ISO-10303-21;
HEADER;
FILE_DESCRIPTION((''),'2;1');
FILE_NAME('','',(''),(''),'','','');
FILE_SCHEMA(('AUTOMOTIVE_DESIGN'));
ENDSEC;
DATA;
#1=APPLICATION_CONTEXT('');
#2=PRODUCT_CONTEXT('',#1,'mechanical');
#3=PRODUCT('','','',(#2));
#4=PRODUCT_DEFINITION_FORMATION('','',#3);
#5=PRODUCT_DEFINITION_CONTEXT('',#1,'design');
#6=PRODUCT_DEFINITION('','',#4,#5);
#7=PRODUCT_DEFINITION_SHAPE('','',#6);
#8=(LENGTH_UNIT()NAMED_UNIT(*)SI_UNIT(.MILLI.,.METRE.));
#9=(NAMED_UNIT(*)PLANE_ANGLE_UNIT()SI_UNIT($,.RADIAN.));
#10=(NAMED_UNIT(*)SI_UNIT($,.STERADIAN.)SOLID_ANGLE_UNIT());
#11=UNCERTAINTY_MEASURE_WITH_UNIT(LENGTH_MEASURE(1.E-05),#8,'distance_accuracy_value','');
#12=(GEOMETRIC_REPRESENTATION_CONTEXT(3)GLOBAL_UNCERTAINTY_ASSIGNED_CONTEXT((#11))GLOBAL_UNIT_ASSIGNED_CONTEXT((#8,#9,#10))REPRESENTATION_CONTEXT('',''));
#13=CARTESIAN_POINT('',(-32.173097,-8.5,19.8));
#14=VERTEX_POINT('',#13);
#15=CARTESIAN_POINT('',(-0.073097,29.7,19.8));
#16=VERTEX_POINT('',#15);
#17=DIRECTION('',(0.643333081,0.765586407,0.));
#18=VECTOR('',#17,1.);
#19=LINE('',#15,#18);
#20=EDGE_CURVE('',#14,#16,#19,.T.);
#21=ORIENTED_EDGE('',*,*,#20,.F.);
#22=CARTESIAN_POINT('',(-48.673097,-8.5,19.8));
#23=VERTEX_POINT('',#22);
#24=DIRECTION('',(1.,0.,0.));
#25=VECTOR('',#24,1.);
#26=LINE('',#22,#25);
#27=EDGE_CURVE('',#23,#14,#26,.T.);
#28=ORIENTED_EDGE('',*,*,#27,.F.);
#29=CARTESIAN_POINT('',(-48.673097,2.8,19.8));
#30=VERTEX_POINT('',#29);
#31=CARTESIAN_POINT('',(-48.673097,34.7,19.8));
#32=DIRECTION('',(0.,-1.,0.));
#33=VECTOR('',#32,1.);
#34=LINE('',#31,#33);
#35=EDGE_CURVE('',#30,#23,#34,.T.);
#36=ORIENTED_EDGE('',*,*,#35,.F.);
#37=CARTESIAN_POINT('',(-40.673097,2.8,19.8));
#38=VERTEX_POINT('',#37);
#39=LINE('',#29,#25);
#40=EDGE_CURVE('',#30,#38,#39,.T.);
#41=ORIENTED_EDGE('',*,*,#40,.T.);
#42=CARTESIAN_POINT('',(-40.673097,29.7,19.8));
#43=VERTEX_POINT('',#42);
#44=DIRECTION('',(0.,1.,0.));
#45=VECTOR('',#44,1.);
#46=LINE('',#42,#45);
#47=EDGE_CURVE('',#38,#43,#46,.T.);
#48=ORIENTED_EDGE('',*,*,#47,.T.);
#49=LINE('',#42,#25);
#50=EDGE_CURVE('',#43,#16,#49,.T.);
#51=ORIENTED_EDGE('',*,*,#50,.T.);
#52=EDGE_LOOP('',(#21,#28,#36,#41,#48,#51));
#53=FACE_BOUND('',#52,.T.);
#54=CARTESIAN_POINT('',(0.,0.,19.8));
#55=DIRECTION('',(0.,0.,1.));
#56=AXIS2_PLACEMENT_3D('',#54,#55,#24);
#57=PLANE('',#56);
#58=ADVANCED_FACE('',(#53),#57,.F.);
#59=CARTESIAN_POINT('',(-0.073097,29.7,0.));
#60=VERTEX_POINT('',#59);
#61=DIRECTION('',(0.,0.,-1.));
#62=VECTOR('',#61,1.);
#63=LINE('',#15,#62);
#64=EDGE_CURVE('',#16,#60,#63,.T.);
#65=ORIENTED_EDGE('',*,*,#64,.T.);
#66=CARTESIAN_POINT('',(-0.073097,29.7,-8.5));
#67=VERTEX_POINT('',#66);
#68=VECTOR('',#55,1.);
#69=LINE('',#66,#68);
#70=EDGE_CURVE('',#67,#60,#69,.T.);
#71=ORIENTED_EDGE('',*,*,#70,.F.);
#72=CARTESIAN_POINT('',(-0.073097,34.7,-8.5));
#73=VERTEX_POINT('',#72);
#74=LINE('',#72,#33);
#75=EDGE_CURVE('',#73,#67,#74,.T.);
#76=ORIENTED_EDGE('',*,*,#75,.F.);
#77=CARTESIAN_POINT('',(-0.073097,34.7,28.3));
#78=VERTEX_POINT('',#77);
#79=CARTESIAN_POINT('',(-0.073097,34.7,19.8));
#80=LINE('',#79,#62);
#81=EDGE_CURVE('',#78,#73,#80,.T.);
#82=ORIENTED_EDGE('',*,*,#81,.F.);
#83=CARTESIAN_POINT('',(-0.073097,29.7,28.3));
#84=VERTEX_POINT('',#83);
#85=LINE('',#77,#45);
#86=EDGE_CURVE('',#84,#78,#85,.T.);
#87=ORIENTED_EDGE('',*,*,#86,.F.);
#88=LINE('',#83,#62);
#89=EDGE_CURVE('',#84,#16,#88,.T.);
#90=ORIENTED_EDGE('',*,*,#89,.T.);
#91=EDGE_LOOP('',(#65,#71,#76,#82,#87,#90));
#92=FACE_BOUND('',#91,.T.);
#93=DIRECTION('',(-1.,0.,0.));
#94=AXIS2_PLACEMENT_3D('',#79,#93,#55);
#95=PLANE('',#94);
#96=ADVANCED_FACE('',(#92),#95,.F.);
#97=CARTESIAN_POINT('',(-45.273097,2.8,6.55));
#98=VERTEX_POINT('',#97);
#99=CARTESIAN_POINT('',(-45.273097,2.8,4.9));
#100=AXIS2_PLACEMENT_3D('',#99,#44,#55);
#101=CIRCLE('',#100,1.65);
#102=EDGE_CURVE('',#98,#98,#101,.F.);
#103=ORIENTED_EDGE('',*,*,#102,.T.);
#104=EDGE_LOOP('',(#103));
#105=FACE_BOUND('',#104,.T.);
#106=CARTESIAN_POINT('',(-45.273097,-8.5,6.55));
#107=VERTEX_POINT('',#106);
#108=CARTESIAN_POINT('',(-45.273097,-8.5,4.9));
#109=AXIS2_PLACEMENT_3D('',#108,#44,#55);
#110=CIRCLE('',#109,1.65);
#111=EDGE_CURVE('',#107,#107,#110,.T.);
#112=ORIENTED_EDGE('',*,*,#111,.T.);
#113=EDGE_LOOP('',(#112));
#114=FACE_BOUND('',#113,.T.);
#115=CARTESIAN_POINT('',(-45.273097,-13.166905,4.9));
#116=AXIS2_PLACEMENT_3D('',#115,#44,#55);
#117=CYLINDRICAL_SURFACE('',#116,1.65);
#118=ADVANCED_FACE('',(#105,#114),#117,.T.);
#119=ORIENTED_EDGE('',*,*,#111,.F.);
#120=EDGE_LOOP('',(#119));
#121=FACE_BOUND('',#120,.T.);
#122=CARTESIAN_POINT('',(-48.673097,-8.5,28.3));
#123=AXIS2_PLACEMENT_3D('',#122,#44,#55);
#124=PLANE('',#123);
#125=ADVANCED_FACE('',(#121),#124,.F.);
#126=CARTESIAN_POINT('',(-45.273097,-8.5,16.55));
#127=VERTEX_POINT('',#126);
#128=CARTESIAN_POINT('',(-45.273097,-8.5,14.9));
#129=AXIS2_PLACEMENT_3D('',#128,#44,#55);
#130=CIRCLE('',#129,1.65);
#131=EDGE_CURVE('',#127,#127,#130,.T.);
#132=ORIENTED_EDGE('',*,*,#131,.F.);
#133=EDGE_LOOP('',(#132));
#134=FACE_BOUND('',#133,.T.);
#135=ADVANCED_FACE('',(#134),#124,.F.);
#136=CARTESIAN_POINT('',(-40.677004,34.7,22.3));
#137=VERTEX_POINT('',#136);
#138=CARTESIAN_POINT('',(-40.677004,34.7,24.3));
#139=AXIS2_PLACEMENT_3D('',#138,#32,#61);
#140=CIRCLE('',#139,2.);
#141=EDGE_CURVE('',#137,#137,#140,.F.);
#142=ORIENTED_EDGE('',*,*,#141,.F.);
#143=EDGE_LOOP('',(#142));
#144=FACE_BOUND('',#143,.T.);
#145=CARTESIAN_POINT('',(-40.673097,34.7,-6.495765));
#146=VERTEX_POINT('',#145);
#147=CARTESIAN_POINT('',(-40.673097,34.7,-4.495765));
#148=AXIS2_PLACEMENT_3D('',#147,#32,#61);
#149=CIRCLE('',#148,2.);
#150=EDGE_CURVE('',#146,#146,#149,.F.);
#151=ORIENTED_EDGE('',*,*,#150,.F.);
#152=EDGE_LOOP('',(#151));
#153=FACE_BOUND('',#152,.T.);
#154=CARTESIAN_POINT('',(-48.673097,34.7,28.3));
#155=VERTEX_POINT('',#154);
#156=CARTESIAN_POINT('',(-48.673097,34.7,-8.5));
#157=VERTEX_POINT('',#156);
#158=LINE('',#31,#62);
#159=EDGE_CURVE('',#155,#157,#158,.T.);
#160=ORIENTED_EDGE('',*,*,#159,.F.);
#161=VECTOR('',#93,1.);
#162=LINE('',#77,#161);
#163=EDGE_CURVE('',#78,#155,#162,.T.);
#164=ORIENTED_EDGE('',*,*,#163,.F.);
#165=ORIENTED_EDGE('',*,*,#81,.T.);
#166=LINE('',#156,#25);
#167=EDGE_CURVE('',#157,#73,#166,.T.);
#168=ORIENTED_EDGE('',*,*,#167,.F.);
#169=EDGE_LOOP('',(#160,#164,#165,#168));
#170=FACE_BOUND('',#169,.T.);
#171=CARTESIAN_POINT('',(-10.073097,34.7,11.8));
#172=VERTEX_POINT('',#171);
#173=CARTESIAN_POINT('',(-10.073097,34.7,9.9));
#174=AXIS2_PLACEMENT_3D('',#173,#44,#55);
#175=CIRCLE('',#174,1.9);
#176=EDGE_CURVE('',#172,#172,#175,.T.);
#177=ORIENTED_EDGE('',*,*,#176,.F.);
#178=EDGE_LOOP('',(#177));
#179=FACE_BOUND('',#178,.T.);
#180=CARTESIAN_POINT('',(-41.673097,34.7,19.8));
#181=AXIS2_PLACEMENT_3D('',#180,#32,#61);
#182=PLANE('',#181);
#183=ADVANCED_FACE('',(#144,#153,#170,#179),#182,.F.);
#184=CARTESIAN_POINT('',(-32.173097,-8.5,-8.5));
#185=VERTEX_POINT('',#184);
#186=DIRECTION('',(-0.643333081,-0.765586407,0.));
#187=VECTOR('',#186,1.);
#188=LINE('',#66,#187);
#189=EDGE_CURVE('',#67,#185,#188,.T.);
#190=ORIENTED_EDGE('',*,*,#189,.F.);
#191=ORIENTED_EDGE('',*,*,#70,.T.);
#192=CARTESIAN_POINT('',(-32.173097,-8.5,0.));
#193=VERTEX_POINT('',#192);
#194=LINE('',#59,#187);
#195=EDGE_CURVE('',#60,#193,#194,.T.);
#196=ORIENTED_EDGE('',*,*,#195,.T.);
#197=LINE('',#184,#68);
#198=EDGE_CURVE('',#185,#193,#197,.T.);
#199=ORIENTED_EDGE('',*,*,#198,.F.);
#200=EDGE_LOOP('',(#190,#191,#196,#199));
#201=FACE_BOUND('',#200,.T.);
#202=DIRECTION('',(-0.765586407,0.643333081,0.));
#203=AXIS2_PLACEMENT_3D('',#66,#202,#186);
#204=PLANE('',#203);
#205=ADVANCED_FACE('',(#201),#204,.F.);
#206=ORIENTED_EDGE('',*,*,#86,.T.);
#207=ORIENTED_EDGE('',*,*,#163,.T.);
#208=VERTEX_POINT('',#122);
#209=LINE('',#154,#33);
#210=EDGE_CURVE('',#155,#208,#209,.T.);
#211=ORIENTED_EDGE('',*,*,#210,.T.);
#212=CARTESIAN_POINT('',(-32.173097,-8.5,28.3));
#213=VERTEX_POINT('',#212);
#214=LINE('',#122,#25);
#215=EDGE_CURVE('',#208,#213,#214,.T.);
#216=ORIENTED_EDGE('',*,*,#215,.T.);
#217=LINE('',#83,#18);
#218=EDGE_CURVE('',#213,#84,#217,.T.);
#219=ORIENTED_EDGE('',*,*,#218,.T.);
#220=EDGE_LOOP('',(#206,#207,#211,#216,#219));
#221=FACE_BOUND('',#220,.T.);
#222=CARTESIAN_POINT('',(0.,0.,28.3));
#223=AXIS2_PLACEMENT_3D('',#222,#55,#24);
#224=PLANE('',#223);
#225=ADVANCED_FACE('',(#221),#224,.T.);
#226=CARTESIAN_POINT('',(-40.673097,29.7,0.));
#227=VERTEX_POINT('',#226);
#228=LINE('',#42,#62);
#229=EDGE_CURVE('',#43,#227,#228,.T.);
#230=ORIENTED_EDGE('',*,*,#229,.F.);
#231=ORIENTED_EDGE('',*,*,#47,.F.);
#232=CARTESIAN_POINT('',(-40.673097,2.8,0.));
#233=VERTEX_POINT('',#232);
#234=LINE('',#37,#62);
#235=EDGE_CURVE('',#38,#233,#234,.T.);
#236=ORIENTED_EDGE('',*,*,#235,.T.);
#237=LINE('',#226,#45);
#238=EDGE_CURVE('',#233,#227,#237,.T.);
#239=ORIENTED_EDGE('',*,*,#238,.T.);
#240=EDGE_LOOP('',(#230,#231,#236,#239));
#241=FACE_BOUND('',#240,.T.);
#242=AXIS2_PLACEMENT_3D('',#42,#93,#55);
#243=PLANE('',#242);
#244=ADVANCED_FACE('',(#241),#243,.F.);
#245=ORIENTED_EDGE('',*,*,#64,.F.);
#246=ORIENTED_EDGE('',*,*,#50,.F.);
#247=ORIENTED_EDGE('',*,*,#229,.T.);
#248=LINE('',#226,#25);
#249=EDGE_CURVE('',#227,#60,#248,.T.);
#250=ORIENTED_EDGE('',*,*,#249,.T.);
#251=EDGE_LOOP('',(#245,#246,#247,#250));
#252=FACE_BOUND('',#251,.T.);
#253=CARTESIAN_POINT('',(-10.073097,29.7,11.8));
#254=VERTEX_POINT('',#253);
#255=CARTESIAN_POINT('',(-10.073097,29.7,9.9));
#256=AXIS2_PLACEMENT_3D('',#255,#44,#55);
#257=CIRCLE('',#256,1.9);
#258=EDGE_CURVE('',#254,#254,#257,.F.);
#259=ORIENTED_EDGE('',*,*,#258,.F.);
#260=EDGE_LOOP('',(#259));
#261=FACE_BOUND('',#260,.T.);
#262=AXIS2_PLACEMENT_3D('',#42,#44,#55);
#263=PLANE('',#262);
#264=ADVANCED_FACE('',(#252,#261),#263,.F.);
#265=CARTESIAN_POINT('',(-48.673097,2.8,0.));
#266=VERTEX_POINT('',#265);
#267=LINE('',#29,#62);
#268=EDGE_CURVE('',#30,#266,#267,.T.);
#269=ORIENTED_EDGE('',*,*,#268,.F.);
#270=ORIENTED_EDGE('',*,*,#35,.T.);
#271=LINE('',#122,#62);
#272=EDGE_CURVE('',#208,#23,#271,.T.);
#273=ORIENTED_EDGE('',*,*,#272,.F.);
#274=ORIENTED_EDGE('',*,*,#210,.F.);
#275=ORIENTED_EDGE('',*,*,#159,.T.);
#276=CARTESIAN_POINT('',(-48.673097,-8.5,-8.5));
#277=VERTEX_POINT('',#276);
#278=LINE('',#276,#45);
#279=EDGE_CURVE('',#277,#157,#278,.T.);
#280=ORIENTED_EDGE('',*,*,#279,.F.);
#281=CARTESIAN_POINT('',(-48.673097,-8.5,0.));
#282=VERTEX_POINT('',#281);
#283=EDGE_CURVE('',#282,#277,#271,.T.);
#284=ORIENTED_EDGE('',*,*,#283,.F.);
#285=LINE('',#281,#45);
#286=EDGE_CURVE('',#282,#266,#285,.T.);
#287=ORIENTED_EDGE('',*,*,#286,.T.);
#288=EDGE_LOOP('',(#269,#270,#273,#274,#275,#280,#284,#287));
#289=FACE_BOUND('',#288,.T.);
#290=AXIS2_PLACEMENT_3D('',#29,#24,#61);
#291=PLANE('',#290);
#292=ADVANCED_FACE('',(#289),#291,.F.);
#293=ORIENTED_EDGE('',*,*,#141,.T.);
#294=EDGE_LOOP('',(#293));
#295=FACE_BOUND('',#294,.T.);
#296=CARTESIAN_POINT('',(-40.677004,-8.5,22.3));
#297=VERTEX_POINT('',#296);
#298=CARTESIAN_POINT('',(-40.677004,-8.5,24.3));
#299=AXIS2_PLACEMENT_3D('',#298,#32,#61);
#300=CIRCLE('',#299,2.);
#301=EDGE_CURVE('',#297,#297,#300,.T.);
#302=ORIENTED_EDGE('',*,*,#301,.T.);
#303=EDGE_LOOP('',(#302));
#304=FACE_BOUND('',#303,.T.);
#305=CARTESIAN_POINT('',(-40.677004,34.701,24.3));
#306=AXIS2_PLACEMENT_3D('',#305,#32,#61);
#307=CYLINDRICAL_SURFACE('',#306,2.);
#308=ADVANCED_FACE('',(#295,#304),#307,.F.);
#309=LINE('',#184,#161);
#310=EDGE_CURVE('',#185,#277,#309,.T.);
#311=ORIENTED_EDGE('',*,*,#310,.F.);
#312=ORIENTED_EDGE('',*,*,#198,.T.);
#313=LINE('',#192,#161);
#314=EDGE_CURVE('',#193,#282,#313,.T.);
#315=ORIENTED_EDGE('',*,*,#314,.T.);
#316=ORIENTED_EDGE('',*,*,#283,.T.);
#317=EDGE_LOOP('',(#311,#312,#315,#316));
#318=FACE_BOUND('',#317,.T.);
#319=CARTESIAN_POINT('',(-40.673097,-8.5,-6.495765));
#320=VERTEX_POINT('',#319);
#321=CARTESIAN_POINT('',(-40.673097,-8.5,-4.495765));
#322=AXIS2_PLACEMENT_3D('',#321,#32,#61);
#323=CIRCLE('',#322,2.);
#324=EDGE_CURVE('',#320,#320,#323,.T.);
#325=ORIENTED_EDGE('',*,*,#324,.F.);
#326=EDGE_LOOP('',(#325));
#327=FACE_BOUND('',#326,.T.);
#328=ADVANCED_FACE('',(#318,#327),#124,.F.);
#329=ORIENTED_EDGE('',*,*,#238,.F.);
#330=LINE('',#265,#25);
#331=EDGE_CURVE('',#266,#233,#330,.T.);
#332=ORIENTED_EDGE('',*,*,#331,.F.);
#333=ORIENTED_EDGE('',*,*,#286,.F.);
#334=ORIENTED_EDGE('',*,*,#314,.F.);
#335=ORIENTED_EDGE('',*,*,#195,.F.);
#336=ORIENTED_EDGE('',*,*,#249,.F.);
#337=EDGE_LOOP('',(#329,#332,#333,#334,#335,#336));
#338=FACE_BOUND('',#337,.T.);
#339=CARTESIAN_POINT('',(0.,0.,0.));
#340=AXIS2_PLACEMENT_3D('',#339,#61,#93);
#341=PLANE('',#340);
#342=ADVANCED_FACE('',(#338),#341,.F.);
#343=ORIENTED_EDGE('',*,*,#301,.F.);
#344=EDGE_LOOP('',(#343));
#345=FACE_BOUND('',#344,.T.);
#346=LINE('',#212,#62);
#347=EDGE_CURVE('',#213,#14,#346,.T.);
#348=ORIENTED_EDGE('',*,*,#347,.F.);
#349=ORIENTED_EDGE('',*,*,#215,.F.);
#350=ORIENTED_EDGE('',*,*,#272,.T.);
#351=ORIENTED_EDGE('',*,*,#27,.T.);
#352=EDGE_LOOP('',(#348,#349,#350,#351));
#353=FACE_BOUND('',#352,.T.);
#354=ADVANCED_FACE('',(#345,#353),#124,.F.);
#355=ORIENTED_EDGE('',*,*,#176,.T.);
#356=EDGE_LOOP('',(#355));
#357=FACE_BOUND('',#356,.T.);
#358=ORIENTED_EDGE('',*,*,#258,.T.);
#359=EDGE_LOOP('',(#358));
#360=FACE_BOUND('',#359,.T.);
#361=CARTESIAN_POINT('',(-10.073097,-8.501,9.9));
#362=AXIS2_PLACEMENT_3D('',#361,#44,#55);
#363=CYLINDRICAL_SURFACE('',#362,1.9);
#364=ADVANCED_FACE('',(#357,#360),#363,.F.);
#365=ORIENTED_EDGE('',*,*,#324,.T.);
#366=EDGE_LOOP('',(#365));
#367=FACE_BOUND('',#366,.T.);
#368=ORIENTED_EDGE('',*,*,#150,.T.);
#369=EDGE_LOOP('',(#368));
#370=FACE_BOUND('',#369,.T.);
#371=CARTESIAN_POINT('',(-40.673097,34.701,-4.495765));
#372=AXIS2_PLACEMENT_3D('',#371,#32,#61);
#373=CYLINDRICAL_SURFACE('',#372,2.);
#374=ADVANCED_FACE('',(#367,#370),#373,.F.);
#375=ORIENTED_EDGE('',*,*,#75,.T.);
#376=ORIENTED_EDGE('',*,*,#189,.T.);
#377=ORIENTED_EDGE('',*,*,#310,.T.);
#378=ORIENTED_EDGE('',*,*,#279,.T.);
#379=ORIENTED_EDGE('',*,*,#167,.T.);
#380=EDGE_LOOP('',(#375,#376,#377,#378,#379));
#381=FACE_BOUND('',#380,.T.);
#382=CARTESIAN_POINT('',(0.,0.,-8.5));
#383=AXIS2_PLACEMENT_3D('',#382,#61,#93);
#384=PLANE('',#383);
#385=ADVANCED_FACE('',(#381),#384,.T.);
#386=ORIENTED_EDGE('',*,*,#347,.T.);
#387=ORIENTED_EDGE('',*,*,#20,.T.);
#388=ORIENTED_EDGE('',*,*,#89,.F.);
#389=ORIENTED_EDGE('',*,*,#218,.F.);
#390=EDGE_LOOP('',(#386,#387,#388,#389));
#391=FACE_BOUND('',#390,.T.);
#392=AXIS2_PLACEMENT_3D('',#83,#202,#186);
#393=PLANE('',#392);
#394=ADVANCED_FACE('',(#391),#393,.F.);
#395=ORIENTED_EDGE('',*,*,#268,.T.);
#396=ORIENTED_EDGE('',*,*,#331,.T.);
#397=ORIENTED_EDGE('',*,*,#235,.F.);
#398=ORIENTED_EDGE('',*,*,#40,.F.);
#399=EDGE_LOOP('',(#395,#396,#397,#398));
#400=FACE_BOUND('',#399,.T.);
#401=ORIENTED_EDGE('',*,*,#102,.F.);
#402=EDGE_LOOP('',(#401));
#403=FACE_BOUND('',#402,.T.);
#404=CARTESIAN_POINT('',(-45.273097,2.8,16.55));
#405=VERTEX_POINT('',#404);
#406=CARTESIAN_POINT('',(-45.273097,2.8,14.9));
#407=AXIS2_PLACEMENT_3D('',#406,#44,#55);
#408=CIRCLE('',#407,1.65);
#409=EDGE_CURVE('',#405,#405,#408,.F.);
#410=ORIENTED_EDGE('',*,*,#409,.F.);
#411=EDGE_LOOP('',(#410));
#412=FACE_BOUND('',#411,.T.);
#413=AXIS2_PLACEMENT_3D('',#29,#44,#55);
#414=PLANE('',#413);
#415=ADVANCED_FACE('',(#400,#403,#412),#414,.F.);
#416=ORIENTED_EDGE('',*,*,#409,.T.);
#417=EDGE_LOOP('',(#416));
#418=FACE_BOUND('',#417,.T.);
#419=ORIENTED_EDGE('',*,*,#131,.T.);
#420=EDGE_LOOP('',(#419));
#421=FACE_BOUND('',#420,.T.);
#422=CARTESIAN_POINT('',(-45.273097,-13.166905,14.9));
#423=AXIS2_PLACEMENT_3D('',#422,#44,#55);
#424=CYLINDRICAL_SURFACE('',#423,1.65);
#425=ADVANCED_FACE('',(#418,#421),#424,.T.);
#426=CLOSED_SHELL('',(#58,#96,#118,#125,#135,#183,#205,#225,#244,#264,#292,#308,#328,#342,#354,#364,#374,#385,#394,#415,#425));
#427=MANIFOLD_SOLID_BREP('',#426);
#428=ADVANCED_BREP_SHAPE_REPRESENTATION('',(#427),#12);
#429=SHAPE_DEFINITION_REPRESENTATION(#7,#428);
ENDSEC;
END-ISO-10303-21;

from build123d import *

# Parameters (mm, degrees)
EXTRUDE_1_DEPTH     = 19.8
EXTRUDE_1_2_DEPTH   = 19.8
SKETCH_2_W          = 1
SKETCH_2_H          = 0.8
CUT_EXTRUDE_1_DEPTH = 8
EXTRUDE_2_DEPTH     = 8.5
EXTRUDE_3_DEPTH     = 8.5
CUT_EXTRUDE_2_REACH = 72.966
SKETCH_5_R          = 1.9
CUT_EXTRUDE_5_REACH = 68.083
SKETCH_8_W          = 19.8
SKETCH_8_H          = 8.5
SKETCH_9_R          = 1.65
EXTRUDE_4_DEPTH     = 11.3
CUT_EXTRUDE_6_REACH = 72.966
SKETCH_10_R         = 2


with BuildPart() as part:
    # 草圖1 → 填料-伸長1 (new body)
    with BuildSketch(Plane.XY):
        Polygon((-40.673096552, 29.7), (-40.673096552, 2.8), (-48.673096552, 2.8), (-48.673096552, 34.7), (-41.673096552, 34.7), (-0.073096552, 34.7), (-0.073096552, 29.7), align=None)
    extrude(amount=EXTRUDE_1_DEPTH)



with BuildPart() as body_2:
    # 草圖1 → Extrude 1 2 (new body)
    with BuildSketch(Plane.XY):
        Polygon((-48.673096552, -8.5), (-40.673096552, -8.5), (-40.673096552, -3.2), (-40.673096552, 0), (-48.673096552, 0), align=None)
    extrude(amount=EXTRUDE_1_2_DEPTH)

    # 草圖2 → 除料-伸長1 (cut)
    with BuildSketch(Plane.ZY.offset(48.673096552)):
        with Locations((9.9, -0.4)):
            Rectangle(SKETCH_2_W, SKETCH_2_H)
    extrude(amount=-CUT_EXTRUDE_1_DEPTH, mode=Mode.SUBTRACT)


with BuildPart() as part_1:
    add(part.part)

    add(body_2.part)  # 填料-伸長2 merges body 2
    # 草圖3 → 填料-伸長2 (add)
    with BuildSketch(Plane.XY.offset(19.8)):
        Polygon((-48.673096552, -8.5), (-32.173096552, -8.5), (-0.073096552, 29.7), (-0.073096552, 34.7), (-48.673096552, 34.7), align=None)
    extrude(amount=EXTRUDE_2_DEPTH)

    # 草圖4 → 填料-伸長3 (add)
    with BuildSketch(Plane(origin=(0, 0, 0), x_dir=(-1, 0, 0), z_dir=(0, 0, -1))):
        Polygon((48.673096552, -8.5), (48.673096552, 34.7), (0.073096552, 34.7), (0.073096552, 29.7), (32.173096552, -8.5), align=None)
    extrude(amount=EXTRUDE_3_DEPTH)

    # 草圖5 → 除料-伸長2 (cut, up to next)
    with BuildSketch(Plane(origin=(0, 34.7, 0), x_dir=(1, 0, 0), z_dir=(0, 1, 0)), mode=Mode.PRIVATE) as cut_extrude_2_sk1:
        with Locations(Location((-10.073096552, -9.9, 0), (0, 0, 270))):
            Circle(SKETCH_5_R)
    cut_extrude_2_tool1 = extrude(cut_extrude_2_sk1.sketch, amount=-CUT_EXTRUDE_2_REACH, mode=Mode.PRIVATE) & part_1.part
    add(cut_extrude_2_tool1.solids().sort_by_distance((-10.073097, 34.7, 9.9))[0], mode=Mode.SUBTRACT)

    # 除料-伸長5: up to this plane
    cut_extrude_5_end = Plane(origin=(-0.073096552, 29.7, -8.5), z_dir=(-0.7655864074982082, 0.6433330806464003, 0))
    # 草圖8 → 除料-伸長5 (cut, up to the surface)
    with BuildSketch(Plane.ZY.offset(48.673096552), mode=Mode.PRIVATE) as cut_extrude_5_sk1:
        with Locations((9.9, -4.25)):
            Rectangle(SKETCH_8_W, SKETCH_8_H)
    cut_extrude_5_tool1 = split(extrude(cut_extrude_5_sk1.sketch, amount=-CUT_EXTRUDE_5_REACH, mode=Mode.PRIVATE), bisect_by=cut_extrude_5_end, keep=Keep.BOTH, mode=Mode.PRIVATE)
    add(cut_extrude_5_tool1.solids().sort_by_distance((-48.673097, -4.25, 9.9))[0], mode=Mode.SUBTRACT)

    # 草圖9 → 填料-伸長4 (add)
    with BuildSketch(Plane.XZ.offset(-2.8)):
        with Locations(Location((-45.273096552, 14.9, 0), (0, 0, 90))):
            Circle(SKETCH_9_R)
        with Locations(Location((-45.273096552, 4.9, 0), (0, 0, 90))):
            Circle(SKETCH_9_R)
    extrude(amount=EXTRUDE_4_DEPTH)

    # 草圖10 → 除料-伸長6 (cut, up to next)
    with BuildSketch(Plane(origin=(0, -8.5, 0), x_dir=(-1, 0, 0), z_dir=(0, -1, 0)), mode=Mode.PRIVATE) as cut_extrude_6_sk1:
        with Locations(Location((40.677003756, -24.3, 0), (0, 0, 90))):
            Circle(SKETCH_10_R)
    cut_extrude_6_tool1 = extrude(cut_extrude_6_sk1.sketch, amount=-CUT_EXTRUDE_6_REACH, mode=Mode.PRIVATE) & part_1.part
    # 草圖10 → 除料-伸長6 (cut, up to next)
    with BuildSketch(Plane(origin=(0, -8.5, 0), x_dir=(-1, 0, 0), z_dir=(0, -1, 0)), mode=Mode.PRIVATE) as cut_extrude_6_sk2:
        with Locations(Location((40.673096552, 4.495764624, 0), (0, 0, 90))):
            Circle(SKETCH_10_R)
    cut_extrude_6_tool2 = extrude(cut_extrude_6_sk2.sketch, amount=-CUT_EXTRUDE_6_REACH, mode=Mode.PRIVATE) & part_1.part
    add(cut_extrude_6_tool1.solids().sort_by_distance((-40.677004, -8.5, 24.3))[0], mode=Mode.SUBTRACT)
    add(cut_extrude_6_tool2.solids().sort_by_distance((-40.673097, -8.5, -4.495765))[0], mode=Mode.SUBTRACT)


solid = part_1.part
